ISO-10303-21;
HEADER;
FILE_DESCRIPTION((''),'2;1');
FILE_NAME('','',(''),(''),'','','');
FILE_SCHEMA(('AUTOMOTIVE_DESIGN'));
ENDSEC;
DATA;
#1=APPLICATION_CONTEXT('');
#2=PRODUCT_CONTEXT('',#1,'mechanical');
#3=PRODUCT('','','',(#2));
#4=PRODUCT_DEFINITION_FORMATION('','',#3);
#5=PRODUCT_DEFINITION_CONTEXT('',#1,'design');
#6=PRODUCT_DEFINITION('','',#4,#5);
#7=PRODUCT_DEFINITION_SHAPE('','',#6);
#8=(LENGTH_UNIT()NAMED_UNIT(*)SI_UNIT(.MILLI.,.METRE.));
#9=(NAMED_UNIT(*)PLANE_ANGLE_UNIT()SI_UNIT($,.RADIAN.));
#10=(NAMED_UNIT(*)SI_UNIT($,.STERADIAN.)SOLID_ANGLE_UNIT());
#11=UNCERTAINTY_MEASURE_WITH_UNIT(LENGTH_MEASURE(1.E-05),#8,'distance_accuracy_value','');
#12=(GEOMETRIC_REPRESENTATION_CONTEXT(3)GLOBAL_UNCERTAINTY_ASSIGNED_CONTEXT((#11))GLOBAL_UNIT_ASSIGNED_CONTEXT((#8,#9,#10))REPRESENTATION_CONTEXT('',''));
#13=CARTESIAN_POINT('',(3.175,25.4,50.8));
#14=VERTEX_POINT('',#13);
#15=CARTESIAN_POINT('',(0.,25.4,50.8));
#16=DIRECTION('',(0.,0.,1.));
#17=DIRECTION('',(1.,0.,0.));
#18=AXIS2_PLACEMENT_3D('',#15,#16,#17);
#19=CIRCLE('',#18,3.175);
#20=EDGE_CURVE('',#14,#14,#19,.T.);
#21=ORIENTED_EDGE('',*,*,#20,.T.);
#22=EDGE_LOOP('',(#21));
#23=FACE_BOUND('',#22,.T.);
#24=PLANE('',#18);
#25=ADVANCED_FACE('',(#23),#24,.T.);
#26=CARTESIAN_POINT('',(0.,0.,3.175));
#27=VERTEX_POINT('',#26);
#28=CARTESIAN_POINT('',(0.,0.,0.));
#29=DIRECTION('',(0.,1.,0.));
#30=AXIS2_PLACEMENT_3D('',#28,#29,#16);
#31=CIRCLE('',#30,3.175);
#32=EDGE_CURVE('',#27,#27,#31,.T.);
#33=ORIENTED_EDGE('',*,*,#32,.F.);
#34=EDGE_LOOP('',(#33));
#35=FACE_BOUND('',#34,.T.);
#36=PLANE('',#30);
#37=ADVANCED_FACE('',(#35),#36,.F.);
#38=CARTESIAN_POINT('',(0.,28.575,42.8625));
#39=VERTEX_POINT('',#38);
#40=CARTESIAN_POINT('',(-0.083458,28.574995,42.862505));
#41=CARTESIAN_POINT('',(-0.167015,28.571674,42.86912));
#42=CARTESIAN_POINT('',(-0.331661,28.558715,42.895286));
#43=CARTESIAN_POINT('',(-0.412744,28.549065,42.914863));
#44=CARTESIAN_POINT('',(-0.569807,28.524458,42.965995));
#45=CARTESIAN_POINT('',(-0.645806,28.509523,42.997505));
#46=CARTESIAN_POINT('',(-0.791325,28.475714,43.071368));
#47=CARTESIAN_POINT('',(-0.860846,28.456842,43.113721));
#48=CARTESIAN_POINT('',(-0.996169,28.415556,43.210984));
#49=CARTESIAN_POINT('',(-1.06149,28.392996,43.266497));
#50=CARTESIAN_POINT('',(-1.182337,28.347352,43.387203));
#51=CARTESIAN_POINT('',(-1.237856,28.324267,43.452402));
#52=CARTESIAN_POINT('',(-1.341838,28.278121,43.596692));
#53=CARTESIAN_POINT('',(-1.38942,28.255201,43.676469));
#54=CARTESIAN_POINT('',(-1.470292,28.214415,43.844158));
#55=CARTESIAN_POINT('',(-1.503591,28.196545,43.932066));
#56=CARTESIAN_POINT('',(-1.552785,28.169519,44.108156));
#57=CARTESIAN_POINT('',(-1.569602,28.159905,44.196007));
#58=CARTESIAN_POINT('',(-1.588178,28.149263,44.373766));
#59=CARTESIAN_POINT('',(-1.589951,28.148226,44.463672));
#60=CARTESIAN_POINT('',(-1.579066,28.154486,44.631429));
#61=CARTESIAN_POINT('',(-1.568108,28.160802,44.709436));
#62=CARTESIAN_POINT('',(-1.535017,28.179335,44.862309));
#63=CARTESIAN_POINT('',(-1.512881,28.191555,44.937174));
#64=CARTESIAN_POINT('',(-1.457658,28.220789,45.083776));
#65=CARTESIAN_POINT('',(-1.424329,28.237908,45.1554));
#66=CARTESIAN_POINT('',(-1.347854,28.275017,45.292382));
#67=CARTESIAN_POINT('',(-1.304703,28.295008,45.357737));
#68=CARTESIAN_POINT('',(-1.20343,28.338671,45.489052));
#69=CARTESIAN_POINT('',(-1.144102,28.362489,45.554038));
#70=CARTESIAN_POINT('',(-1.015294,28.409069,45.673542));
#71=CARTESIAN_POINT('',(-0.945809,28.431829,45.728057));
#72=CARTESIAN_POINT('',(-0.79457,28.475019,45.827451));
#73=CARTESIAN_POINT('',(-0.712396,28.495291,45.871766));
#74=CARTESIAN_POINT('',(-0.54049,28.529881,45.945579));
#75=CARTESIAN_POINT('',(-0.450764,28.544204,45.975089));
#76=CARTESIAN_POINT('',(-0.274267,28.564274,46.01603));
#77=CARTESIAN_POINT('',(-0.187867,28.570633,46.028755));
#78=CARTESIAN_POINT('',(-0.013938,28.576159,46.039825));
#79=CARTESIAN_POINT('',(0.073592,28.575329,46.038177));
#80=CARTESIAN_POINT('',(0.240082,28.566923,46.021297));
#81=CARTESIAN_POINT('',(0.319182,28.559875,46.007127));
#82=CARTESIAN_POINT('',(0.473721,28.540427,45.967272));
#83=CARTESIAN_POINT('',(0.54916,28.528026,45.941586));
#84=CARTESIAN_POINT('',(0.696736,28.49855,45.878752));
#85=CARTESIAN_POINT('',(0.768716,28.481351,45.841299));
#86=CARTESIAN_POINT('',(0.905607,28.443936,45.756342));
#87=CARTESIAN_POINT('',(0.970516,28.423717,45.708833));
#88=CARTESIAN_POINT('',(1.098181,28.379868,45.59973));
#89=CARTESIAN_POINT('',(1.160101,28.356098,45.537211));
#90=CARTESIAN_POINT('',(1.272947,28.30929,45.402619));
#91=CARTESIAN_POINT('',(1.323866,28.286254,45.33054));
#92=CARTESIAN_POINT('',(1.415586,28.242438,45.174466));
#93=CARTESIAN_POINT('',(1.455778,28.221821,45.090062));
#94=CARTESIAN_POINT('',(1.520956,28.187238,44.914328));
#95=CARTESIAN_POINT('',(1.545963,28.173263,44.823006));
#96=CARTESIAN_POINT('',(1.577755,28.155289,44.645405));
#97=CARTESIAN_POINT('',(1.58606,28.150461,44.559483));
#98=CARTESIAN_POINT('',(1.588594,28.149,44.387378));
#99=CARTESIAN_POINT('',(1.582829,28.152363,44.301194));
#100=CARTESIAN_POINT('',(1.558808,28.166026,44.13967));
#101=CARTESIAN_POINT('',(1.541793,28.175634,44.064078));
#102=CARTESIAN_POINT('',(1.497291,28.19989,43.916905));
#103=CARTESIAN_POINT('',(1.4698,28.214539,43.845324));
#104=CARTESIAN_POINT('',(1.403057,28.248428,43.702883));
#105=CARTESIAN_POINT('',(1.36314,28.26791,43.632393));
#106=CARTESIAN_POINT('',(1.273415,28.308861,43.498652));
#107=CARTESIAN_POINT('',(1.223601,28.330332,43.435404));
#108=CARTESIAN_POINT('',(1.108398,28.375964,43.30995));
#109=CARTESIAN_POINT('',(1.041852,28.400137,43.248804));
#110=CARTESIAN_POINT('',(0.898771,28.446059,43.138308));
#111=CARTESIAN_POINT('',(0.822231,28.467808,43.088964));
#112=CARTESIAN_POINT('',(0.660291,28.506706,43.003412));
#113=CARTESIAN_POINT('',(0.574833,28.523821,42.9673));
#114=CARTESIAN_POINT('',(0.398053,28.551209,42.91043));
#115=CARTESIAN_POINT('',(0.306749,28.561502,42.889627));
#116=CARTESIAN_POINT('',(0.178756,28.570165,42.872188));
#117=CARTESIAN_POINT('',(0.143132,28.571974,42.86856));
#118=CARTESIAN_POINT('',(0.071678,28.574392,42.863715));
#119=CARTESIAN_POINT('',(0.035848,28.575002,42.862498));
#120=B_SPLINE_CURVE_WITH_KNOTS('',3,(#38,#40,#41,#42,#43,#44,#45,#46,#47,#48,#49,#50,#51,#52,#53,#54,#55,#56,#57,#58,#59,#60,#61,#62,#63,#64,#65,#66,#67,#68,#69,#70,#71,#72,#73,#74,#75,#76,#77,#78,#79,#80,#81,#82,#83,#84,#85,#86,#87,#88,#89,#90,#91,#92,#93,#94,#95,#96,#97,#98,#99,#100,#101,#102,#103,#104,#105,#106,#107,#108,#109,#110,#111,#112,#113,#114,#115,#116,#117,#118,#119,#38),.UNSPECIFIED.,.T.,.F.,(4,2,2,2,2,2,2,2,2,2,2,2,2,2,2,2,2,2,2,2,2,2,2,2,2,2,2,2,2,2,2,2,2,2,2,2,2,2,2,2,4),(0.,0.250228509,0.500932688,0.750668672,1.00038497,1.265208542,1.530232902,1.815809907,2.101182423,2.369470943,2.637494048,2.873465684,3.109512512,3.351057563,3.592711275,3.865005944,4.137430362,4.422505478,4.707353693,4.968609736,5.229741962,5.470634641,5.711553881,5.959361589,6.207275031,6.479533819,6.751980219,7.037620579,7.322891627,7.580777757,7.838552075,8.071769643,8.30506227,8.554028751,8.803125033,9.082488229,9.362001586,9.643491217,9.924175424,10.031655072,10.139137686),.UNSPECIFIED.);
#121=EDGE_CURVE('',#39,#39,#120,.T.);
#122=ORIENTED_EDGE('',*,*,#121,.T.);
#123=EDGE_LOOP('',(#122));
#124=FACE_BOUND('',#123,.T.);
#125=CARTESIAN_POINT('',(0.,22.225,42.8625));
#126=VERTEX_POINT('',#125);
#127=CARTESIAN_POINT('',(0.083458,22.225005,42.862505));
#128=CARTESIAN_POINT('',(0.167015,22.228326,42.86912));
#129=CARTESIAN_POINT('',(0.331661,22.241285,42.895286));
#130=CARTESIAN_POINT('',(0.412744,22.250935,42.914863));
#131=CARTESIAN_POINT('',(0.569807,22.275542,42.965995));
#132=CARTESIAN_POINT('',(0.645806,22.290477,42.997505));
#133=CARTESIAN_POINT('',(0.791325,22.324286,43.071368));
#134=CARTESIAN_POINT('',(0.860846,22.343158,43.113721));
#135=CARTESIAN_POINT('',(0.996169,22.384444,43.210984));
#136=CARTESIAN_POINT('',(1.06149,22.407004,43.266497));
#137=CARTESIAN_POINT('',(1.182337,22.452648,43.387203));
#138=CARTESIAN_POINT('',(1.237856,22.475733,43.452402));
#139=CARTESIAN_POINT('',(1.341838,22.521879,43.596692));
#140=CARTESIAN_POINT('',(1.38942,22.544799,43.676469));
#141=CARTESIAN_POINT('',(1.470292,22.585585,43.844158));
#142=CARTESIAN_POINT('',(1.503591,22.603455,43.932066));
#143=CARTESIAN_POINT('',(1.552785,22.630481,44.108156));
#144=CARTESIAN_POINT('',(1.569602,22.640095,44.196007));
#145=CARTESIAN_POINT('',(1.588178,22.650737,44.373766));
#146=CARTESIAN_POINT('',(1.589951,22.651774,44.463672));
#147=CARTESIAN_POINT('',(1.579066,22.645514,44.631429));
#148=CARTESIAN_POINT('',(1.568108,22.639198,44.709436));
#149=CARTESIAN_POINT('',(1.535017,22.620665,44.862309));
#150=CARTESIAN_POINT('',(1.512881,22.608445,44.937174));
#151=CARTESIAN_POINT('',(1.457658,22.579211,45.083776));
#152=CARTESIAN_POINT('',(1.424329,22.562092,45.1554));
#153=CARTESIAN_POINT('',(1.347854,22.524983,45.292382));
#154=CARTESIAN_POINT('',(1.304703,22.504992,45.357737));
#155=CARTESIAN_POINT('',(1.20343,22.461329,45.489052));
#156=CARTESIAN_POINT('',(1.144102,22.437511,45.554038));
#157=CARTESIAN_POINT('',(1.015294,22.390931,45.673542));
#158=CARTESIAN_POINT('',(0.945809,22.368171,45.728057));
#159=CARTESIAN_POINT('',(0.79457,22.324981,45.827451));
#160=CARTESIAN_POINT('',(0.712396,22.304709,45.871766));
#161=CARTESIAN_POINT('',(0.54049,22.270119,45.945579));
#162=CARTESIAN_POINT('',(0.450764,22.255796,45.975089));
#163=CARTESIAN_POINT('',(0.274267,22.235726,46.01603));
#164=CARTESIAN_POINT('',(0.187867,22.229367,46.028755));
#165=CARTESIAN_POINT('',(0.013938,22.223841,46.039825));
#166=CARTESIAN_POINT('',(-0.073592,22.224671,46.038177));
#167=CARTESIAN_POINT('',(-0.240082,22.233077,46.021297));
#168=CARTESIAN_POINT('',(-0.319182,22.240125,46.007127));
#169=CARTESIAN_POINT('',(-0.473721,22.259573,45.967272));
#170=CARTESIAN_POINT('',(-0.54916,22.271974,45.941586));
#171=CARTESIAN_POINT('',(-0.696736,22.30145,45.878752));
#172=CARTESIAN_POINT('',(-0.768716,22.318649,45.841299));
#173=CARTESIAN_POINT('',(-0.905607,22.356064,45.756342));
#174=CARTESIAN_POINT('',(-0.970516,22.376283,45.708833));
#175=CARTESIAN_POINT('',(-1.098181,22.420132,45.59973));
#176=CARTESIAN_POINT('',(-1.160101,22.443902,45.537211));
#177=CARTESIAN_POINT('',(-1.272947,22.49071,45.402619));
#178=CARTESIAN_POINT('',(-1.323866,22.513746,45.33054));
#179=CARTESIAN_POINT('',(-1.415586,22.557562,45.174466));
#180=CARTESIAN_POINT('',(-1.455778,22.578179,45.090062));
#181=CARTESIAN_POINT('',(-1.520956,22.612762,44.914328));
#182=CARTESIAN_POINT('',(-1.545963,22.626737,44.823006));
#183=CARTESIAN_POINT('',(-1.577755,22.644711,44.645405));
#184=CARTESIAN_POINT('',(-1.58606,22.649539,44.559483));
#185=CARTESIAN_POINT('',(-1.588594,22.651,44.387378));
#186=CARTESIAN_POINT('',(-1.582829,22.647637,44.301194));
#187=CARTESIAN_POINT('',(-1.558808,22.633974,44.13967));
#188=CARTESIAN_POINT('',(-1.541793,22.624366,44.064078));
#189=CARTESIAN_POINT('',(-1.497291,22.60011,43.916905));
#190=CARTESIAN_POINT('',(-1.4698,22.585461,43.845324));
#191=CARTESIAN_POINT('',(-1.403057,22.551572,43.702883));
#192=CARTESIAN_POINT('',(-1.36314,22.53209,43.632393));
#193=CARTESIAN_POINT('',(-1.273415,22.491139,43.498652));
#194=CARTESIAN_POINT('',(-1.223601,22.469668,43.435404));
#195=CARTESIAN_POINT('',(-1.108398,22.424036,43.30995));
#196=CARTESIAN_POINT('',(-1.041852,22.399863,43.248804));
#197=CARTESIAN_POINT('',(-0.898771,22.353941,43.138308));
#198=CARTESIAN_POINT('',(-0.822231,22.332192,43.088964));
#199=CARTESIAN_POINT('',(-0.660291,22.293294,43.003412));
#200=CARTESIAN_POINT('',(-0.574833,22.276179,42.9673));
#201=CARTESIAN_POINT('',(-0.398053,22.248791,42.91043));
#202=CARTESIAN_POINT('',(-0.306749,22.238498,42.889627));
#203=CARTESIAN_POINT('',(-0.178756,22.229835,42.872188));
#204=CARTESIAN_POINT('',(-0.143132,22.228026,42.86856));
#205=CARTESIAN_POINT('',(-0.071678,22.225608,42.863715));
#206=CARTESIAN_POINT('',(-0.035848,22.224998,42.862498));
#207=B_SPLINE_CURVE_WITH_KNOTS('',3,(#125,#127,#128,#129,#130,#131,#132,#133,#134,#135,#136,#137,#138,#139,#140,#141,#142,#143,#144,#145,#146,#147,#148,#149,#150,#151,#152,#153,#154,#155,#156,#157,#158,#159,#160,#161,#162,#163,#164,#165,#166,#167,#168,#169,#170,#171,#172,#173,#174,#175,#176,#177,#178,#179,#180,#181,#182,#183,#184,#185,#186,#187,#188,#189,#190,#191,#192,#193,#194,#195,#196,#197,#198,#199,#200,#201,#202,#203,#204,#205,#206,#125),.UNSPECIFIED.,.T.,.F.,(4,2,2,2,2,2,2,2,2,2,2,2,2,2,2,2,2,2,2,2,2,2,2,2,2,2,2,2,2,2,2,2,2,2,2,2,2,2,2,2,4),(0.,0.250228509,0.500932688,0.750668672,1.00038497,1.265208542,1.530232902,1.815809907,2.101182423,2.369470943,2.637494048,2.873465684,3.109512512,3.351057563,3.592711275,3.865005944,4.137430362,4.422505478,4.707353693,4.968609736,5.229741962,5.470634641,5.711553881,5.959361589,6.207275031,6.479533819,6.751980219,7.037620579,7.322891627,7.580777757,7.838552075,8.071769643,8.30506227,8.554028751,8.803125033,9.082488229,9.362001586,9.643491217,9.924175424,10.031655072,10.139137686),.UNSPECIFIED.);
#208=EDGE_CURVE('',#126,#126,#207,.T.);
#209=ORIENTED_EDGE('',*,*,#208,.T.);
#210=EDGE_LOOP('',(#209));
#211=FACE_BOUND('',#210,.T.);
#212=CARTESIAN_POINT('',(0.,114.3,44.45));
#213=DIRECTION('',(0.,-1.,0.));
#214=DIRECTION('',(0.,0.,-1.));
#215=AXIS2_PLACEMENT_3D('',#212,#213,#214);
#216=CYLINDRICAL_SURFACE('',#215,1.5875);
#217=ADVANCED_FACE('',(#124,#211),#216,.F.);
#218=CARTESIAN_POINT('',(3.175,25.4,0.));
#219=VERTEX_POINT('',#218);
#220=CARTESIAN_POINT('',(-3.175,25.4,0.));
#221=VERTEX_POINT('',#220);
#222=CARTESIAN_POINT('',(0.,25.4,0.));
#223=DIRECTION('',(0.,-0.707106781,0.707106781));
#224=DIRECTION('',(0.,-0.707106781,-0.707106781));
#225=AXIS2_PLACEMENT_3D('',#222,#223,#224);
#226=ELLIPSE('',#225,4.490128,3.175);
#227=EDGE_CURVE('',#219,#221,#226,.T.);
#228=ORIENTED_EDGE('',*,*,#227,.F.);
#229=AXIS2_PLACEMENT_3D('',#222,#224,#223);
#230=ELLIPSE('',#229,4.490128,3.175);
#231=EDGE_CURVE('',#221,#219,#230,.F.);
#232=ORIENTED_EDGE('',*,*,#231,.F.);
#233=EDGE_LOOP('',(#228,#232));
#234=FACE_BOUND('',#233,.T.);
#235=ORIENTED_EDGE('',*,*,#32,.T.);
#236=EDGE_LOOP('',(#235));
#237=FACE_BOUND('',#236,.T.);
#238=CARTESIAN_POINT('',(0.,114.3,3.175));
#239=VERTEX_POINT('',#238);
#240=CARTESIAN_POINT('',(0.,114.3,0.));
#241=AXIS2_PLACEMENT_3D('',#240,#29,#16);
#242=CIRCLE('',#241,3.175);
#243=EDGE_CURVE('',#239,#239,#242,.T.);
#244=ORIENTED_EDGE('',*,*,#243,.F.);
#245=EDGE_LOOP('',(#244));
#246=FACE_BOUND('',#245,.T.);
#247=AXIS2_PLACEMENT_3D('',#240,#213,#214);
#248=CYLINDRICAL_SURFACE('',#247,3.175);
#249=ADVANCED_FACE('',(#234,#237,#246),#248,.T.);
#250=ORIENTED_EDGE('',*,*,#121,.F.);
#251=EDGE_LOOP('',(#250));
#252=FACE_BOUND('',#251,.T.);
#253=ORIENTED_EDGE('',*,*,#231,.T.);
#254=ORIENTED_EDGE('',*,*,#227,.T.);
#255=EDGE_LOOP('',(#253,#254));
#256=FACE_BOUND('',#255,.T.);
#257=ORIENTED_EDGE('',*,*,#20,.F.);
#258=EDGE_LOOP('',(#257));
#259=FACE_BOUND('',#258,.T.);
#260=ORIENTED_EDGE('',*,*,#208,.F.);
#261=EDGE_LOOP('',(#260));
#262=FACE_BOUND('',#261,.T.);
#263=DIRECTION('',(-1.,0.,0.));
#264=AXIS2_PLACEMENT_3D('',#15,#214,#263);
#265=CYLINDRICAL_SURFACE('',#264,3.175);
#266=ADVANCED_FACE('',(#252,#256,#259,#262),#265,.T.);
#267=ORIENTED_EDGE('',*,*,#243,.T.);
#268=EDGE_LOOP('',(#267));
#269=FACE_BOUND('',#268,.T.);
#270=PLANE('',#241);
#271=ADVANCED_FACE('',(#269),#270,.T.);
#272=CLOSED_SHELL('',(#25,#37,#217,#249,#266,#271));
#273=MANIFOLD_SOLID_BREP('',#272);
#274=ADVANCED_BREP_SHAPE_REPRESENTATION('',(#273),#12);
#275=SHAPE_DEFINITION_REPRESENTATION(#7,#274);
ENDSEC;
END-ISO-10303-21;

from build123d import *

# Parameters (mm, degrees)
SKETCH1_R           = 3.175
BOSS_EXTRUDE1_DEPTH = 114.3
SKETCH2_R           = 3.175
BOSS_EXTRUDE2_DEPTH = 50.8
SKETCH3_R           = 1.5875
CUT_EXTRUDE1_DEPTH  = 115.3


with BuildPart() as part:
    # Sketch1 → Boss-Extrude1 (new body)
    with BuildSketch(Plane(origin=(0, 0, 0), x_dir=(1, 0, 0), z_dir=(0, 1, 0))):
        Circle(SKETCH1_R)
    extrude(amount=BOSS_EXTRUDE1_DEPTH)

    # Sketch2 → Boss-Extrude2 (add)
    with BuildSketch(Plane.XY):
        with Locations((0, 25.4)):
            Circle(SKETCH2_R)
    extrude(amount=BOSS_EXTRUDE2_DEPTH)

    # Sketch3 → Cut-Extrude1 (cut, through all)
    with BuildSketch(Plane(origin=(0, 0, 0), x_dir=(1, 0, 0), z_dir=(0, 1, 0))):
        with Locations((0, -44.45)):
            Circle(SKETCH3_R)
    extrude(amount=CUT_EXTRUDE1_DEPTH, mode=Mode.SUBTRACT)


solid = part.part
